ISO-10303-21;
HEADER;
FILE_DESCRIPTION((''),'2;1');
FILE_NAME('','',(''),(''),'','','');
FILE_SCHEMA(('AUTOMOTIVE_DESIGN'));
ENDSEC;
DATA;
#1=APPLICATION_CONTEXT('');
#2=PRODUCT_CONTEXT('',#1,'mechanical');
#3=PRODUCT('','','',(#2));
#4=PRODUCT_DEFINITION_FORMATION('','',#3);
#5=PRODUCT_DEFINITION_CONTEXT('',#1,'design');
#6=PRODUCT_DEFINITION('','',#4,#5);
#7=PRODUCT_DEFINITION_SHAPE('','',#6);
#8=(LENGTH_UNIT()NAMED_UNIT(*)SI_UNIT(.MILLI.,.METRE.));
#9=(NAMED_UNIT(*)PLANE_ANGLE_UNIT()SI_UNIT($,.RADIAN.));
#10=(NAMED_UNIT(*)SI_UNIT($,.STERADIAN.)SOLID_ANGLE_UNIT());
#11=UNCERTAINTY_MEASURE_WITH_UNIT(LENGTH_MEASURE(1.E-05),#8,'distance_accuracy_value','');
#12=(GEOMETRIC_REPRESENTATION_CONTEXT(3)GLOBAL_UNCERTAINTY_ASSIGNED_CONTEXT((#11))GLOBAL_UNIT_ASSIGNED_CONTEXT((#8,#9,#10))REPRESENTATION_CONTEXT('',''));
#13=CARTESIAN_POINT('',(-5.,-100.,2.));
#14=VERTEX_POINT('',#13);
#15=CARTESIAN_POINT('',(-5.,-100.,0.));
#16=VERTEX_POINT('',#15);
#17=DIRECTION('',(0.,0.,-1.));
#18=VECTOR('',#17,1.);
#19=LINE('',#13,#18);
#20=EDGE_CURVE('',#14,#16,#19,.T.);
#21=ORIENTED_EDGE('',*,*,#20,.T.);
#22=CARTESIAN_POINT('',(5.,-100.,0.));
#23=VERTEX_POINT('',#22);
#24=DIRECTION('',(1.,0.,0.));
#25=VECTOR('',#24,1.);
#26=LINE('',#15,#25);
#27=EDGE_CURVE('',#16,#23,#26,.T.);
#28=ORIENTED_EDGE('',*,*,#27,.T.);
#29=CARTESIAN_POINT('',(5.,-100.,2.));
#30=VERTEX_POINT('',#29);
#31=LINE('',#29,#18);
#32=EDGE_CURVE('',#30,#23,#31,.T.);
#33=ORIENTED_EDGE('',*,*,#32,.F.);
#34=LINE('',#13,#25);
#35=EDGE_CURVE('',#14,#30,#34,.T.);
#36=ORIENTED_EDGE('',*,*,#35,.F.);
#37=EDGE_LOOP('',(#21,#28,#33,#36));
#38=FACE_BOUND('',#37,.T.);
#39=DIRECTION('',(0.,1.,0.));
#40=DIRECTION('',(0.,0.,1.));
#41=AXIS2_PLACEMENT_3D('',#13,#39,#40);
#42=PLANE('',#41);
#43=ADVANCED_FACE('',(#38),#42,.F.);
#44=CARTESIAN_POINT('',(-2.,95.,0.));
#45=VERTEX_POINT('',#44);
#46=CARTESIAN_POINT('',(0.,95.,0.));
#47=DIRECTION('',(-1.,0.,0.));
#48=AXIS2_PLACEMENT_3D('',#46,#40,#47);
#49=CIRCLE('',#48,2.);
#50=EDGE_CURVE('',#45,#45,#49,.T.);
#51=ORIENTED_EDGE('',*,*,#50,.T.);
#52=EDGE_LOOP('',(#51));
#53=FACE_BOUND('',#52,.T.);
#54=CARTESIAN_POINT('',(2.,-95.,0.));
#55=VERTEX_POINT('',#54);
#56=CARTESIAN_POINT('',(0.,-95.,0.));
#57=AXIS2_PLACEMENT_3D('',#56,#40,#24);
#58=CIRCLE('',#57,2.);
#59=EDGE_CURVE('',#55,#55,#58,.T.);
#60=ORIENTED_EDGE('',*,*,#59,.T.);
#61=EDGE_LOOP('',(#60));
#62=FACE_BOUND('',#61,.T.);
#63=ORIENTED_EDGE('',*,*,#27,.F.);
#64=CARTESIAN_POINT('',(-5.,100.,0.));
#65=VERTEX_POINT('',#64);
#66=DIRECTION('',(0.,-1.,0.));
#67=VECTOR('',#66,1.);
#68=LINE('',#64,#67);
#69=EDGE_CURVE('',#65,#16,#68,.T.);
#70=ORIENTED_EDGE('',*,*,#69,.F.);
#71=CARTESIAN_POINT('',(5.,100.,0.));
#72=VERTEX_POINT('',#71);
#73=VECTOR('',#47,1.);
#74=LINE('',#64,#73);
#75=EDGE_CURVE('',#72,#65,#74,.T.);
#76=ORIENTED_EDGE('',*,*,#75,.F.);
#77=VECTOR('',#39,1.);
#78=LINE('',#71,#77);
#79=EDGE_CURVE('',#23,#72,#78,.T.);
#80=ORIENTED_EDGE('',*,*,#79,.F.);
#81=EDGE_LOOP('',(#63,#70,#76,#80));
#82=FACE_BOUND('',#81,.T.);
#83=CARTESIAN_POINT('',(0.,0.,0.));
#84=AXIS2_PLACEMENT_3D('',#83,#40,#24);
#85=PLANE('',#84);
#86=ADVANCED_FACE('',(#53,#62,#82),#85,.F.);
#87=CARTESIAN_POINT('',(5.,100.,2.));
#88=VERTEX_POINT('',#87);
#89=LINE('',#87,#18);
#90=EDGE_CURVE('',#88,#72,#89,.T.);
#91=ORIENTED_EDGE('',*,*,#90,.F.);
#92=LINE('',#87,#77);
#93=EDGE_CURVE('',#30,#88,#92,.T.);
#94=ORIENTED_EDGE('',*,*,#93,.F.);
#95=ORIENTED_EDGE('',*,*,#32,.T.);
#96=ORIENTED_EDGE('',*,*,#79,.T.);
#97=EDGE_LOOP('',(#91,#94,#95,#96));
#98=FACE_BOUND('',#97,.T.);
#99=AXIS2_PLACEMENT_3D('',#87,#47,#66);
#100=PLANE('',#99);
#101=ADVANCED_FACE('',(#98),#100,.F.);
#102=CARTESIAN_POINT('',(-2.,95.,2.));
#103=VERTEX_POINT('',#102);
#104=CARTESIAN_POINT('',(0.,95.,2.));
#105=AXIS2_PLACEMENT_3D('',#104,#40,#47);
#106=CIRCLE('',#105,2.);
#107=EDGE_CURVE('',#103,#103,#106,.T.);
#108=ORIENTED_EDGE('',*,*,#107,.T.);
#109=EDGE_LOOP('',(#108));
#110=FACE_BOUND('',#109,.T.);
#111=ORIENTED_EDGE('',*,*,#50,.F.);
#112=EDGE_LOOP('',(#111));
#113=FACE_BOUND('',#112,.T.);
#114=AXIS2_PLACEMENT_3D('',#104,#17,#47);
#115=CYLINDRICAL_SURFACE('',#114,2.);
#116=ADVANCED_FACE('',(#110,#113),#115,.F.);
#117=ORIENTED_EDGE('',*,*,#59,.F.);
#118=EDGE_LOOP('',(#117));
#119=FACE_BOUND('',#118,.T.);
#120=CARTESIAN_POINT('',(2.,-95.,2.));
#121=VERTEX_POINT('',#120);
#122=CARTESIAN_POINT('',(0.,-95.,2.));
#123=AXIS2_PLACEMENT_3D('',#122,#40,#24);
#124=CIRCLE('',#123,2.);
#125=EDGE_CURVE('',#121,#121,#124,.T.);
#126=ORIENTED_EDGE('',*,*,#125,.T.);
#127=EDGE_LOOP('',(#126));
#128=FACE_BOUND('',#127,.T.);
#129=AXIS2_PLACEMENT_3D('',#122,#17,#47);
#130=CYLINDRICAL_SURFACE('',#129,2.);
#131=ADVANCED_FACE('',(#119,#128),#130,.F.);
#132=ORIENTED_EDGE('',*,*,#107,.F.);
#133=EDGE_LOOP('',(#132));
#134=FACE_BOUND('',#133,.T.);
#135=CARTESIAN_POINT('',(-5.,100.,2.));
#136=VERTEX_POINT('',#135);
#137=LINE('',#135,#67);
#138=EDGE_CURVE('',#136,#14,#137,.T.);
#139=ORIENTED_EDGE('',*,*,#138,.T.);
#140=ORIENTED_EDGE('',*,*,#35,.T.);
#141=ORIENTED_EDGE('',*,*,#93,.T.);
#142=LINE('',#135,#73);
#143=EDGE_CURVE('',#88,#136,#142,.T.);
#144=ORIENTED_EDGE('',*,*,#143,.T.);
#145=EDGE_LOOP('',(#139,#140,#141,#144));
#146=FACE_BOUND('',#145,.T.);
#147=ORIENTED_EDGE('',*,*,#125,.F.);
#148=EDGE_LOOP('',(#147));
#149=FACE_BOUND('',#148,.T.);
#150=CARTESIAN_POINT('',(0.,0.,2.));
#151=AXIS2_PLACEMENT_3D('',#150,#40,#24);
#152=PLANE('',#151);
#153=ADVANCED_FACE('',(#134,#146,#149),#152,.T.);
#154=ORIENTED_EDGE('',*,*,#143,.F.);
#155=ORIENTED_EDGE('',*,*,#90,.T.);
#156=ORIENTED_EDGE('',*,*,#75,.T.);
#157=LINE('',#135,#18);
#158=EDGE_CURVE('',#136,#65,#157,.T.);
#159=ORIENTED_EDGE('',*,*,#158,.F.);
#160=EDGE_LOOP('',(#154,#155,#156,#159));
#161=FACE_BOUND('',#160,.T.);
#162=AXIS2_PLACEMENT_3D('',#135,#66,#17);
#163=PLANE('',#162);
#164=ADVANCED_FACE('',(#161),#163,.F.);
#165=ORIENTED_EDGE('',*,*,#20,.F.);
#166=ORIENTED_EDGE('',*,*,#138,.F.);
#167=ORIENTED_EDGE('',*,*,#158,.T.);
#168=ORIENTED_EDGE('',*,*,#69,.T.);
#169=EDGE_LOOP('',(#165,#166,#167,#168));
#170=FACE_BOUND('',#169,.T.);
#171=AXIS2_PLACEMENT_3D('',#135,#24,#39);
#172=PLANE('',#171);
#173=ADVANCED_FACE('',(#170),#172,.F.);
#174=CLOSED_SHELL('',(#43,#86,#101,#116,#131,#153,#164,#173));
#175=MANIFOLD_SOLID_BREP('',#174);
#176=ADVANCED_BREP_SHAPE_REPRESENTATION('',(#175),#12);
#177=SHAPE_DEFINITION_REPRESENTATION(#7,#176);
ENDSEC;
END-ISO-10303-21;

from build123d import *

# Parameters (mm, degrees)
SKETCH1_W           = 10
SKETCH1_H           = 200
SKETCH1_R           = 2
BOSS_EXTRUDE1_DEPTH = 2


with BuildPart() as part:
    # Sketch1 → Boss-Extrude1 (new body)
    with BuildSketch(Plane.XY):
        Rectangle(SKETCH1_W, SKETCH1_H)
        with Locations((0, -95)):
            Circle(SKETCH1_R, mode=Mode.SUBTRACT)
        with Locations(Location((0, 95, 0), (0, 0, 180))):
            Circle(SKETCH1_R, mode=Mode.SUBTRACT)
    extrude(amount=BOSS_EXTRUDE1_DEPTH)


solid = part.part
